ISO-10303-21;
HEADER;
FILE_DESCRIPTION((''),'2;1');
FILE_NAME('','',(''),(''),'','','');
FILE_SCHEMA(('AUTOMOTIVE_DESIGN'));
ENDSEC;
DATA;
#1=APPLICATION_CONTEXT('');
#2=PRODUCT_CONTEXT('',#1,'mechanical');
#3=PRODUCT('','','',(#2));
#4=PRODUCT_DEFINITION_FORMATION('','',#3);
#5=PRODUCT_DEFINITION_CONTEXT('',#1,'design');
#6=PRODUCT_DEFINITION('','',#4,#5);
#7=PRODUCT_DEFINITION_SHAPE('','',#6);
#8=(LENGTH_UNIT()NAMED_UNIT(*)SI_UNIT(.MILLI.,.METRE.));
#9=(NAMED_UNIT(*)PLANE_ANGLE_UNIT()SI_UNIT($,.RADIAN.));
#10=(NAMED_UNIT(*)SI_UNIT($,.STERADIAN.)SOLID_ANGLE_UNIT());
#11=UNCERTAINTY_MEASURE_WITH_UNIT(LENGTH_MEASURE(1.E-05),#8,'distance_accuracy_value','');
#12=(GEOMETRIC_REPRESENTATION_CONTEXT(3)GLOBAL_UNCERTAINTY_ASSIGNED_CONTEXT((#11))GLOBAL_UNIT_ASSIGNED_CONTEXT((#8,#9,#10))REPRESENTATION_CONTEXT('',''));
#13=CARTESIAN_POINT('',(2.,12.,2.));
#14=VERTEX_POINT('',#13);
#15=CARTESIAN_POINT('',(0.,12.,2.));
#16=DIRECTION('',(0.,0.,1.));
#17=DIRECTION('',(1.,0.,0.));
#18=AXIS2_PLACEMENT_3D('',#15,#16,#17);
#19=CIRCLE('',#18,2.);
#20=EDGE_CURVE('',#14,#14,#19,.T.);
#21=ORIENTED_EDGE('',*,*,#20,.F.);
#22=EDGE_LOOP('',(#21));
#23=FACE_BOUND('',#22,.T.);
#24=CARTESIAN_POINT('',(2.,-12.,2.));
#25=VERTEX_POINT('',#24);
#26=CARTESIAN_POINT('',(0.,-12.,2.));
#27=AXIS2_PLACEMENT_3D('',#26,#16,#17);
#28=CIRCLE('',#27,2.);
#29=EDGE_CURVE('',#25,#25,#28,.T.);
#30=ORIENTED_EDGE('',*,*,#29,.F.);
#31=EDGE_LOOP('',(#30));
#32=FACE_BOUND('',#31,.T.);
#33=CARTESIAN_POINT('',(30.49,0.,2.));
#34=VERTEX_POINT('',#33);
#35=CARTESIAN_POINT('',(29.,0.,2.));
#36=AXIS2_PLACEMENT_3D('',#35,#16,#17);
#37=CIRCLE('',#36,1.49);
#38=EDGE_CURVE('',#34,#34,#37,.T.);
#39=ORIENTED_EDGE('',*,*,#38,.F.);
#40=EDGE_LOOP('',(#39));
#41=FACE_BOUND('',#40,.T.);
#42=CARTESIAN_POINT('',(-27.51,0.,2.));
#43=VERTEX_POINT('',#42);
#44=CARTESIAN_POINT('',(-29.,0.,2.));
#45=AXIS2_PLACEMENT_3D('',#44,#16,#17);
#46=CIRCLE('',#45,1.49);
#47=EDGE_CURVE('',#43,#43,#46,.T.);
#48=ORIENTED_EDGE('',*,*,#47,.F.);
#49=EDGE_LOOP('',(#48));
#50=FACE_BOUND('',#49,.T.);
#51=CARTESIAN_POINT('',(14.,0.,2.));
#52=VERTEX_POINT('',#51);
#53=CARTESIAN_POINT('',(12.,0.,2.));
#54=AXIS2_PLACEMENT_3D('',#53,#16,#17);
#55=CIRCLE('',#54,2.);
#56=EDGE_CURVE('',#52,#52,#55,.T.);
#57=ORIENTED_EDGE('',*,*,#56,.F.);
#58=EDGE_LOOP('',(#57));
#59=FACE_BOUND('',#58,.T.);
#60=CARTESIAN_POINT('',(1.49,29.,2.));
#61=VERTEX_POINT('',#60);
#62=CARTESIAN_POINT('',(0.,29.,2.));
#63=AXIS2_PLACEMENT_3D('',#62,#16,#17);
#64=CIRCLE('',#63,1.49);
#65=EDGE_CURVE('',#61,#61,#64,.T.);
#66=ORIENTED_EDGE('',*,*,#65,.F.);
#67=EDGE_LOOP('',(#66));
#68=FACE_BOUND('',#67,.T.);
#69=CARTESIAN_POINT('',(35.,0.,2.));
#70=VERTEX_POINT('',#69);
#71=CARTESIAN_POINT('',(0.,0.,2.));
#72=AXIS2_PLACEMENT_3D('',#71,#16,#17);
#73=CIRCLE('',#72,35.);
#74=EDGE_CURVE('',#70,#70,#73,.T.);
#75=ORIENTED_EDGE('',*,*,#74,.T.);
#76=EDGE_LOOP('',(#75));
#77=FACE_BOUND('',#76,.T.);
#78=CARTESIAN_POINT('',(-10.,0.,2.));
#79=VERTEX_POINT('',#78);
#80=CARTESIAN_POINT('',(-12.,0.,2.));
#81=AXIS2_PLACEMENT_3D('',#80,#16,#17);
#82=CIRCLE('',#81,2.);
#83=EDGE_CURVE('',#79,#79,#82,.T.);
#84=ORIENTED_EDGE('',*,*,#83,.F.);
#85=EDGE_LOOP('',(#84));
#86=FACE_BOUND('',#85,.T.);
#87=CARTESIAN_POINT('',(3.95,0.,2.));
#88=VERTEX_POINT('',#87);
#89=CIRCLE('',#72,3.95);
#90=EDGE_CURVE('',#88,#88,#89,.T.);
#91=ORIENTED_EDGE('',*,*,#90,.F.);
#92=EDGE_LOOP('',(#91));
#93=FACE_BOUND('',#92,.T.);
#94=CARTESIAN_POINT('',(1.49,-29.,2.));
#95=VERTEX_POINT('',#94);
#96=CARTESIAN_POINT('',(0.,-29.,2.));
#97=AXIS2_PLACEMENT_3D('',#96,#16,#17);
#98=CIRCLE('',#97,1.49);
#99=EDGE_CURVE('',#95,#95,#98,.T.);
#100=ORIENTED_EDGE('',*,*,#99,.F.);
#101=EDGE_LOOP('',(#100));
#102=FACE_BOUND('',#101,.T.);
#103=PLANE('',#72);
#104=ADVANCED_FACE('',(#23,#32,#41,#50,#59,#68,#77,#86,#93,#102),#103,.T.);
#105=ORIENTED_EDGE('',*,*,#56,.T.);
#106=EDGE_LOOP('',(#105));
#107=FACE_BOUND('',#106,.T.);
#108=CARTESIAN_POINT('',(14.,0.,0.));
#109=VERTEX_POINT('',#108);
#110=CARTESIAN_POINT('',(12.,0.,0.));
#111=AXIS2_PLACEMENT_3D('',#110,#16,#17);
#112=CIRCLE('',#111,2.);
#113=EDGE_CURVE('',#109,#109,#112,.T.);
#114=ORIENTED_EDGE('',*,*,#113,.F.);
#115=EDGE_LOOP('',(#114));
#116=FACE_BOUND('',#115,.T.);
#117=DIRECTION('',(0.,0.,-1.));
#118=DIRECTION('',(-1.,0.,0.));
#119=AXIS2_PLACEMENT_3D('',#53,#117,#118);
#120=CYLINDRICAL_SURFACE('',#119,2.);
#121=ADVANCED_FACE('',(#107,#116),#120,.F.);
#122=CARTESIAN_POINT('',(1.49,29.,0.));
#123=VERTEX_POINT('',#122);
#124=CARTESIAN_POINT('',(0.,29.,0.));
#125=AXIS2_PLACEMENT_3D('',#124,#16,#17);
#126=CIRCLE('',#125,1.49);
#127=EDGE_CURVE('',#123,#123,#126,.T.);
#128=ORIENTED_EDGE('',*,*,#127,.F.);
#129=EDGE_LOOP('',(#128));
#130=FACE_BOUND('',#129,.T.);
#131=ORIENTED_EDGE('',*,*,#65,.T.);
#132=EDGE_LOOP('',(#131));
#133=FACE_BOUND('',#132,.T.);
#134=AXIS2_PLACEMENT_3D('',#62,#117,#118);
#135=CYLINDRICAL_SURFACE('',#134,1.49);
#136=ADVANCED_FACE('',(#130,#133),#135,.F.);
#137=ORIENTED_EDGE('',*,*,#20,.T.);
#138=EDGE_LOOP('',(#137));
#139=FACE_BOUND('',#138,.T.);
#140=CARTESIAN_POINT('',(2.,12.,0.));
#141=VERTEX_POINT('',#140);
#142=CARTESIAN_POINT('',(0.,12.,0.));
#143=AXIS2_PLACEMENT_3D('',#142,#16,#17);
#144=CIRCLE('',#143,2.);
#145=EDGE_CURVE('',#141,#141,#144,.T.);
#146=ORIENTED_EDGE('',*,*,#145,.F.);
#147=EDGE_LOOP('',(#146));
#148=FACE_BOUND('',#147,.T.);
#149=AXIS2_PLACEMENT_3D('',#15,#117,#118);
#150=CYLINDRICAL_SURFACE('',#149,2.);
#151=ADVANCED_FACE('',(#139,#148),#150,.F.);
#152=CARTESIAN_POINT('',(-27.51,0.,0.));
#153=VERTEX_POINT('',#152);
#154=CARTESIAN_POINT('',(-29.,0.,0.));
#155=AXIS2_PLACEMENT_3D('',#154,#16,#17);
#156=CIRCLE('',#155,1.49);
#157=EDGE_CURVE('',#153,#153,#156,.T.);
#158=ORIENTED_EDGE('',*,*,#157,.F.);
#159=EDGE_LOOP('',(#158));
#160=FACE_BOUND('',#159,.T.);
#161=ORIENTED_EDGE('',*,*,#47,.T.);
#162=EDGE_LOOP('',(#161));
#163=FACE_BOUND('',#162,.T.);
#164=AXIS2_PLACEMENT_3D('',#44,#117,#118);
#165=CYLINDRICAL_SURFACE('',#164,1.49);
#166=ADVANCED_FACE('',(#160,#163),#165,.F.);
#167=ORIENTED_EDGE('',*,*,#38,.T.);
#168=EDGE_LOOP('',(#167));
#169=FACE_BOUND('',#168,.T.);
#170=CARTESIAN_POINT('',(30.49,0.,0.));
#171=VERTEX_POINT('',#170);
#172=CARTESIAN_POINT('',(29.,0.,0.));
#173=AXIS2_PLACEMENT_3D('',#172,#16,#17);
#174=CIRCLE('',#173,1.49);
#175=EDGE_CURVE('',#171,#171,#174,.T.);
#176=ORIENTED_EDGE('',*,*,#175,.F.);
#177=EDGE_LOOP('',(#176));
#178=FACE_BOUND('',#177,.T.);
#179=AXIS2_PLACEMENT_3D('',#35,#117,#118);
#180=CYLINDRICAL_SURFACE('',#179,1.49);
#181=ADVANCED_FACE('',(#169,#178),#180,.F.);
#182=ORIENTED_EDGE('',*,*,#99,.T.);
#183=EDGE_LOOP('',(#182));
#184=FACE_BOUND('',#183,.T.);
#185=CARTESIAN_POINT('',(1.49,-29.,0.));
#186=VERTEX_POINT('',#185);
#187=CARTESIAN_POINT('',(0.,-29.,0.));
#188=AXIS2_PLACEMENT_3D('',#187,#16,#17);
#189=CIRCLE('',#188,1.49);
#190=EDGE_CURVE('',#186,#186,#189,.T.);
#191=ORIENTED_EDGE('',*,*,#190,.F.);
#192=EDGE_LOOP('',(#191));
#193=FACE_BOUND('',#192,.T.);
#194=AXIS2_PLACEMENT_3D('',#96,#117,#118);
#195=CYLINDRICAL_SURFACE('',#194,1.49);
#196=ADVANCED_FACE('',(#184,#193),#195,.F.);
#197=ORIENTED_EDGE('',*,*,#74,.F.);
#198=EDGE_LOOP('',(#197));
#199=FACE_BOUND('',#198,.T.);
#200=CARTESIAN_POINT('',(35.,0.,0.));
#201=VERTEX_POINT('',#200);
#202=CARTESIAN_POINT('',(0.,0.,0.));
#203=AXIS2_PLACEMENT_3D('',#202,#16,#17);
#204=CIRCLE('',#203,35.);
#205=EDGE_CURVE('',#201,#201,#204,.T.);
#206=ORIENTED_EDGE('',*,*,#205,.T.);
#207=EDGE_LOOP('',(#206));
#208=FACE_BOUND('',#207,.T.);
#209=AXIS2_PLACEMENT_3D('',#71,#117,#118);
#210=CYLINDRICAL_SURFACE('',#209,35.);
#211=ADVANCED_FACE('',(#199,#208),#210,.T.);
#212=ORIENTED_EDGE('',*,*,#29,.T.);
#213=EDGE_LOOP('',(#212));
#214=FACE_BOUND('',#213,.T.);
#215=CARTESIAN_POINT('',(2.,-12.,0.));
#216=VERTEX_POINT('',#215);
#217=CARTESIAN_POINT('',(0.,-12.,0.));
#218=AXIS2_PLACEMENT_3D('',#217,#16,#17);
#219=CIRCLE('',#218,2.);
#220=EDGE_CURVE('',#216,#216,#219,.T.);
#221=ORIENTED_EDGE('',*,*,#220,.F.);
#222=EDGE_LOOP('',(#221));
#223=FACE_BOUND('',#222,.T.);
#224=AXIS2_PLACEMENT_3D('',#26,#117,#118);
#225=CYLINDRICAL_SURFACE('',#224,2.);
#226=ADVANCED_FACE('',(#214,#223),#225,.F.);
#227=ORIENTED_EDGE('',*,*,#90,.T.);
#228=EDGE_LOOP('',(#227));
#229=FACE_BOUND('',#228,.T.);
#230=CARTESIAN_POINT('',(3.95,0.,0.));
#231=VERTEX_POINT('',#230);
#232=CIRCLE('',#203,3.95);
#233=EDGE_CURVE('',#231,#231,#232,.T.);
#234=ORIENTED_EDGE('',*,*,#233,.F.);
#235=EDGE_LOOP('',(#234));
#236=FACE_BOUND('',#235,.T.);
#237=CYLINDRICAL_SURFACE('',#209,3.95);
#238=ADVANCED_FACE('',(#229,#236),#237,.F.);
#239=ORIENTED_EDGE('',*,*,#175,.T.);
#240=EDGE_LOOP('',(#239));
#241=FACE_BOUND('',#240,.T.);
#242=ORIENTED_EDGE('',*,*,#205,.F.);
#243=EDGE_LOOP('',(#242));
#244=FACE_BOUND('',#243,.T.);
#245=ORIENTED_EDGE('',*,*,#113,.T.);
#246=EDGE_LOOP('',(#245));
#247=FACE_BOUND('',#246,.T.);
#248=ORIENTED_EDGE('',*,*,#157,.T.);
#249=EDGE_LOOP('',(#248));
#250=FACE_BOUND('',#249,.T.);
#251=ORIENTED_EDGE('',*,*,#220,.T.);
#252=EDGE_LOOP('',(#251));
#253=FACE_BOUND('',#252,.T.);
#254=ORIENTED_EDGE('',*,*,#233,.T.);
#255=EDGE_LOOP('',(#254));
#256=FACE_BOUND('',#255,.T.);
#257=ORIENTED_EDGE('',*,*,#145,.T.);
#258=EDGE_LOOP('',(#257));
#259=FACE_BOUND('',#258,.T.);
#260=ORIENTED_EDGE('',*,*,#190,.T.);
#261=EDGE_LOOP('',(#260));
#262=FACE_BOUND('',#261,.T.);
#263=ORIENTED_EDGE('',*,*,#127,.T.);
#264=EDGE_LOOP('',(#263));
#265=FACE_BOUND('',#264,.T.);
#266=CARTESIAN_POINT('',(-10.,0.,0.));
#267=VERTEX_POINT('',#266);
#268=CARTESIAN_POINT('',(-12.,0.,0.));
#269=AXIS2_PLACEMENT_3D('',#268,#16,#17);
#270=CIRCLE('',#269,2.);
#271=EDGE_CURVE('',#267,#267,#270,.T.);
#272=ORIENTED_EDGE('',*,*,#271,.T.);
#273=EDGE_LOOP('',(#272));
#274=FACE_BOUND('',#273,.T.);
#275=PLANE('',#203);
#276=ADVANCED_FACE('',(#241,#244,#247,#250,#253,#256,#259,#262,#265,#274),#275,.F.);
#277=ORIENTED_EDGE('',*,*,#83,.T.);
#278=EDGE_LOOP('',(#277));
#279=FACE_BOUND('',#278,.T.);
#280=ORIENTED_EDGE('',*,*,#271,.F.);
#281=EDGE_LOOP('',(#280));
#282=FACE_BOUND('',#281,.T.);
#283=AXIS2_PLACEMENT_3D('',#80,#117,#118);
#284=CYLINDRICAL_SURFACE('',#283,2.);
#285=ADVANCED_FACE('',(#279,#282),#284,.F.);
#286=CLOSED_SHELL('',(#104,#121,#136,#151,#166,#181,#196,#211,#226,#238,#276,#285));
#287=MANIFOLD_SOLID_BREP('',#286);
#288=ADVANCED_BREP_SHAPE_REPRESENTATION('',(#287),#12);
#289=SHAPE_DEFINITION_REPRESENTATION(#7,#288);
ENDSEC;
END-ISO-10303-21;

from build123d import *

# Parameters (mm, degrees)
SKETCH1_R           = 35
SKETCH1_R_2         = 3.95
SKETCH1_R_3         = 1.49
SKETCH1_R_4         = 2
BOSS_EXTRUDE1_DEPTH = 2


with BuildPart() as part:
    # Sketch1 → Boss-Extrude1 (new body)
    with BuildSketch(Plane.XY):
        Circle(SKETCH1_R)
        Circle(SKETCH1_R_2, mode=Mode.SUBTRACT)
        with Locations((-29, 0)):
            Circle(SKETCH1_R_3, mode=Mode.SUBTRACT)
        with Locations((29, 0)):
            Circle(SKETCH1_R_3, mode=Mode.SUBTRACT)
        with Locations((0, 29)):
            Circle(SKETCH1_R_3, mode=Mode.SUBTRACT)
        with Locations((0, -29)):
            Circle(SKETCH1_R_3, mode=Mode.SUBTRACT)
        with Locations((0, 12)):
            Circle(SKETCH1_R_4, mode=Mode.SUBTRACT)
        with Locations((12, 0)):
            Circle(SKETCH1_R_4, mode=Mode.SUBTRACT)
        with Locations((0, -12)):
            Circle(SKETCH1_R_4, mode=Mode.SUBTRACT)
        with Locations((-12, 0)):
            Circle(SKETCH1_R_4, mode=Mode.SUBTRACT)
    extrude(amount=BOSS_EXTRUDE1_DEPTH)


solid = part.part
